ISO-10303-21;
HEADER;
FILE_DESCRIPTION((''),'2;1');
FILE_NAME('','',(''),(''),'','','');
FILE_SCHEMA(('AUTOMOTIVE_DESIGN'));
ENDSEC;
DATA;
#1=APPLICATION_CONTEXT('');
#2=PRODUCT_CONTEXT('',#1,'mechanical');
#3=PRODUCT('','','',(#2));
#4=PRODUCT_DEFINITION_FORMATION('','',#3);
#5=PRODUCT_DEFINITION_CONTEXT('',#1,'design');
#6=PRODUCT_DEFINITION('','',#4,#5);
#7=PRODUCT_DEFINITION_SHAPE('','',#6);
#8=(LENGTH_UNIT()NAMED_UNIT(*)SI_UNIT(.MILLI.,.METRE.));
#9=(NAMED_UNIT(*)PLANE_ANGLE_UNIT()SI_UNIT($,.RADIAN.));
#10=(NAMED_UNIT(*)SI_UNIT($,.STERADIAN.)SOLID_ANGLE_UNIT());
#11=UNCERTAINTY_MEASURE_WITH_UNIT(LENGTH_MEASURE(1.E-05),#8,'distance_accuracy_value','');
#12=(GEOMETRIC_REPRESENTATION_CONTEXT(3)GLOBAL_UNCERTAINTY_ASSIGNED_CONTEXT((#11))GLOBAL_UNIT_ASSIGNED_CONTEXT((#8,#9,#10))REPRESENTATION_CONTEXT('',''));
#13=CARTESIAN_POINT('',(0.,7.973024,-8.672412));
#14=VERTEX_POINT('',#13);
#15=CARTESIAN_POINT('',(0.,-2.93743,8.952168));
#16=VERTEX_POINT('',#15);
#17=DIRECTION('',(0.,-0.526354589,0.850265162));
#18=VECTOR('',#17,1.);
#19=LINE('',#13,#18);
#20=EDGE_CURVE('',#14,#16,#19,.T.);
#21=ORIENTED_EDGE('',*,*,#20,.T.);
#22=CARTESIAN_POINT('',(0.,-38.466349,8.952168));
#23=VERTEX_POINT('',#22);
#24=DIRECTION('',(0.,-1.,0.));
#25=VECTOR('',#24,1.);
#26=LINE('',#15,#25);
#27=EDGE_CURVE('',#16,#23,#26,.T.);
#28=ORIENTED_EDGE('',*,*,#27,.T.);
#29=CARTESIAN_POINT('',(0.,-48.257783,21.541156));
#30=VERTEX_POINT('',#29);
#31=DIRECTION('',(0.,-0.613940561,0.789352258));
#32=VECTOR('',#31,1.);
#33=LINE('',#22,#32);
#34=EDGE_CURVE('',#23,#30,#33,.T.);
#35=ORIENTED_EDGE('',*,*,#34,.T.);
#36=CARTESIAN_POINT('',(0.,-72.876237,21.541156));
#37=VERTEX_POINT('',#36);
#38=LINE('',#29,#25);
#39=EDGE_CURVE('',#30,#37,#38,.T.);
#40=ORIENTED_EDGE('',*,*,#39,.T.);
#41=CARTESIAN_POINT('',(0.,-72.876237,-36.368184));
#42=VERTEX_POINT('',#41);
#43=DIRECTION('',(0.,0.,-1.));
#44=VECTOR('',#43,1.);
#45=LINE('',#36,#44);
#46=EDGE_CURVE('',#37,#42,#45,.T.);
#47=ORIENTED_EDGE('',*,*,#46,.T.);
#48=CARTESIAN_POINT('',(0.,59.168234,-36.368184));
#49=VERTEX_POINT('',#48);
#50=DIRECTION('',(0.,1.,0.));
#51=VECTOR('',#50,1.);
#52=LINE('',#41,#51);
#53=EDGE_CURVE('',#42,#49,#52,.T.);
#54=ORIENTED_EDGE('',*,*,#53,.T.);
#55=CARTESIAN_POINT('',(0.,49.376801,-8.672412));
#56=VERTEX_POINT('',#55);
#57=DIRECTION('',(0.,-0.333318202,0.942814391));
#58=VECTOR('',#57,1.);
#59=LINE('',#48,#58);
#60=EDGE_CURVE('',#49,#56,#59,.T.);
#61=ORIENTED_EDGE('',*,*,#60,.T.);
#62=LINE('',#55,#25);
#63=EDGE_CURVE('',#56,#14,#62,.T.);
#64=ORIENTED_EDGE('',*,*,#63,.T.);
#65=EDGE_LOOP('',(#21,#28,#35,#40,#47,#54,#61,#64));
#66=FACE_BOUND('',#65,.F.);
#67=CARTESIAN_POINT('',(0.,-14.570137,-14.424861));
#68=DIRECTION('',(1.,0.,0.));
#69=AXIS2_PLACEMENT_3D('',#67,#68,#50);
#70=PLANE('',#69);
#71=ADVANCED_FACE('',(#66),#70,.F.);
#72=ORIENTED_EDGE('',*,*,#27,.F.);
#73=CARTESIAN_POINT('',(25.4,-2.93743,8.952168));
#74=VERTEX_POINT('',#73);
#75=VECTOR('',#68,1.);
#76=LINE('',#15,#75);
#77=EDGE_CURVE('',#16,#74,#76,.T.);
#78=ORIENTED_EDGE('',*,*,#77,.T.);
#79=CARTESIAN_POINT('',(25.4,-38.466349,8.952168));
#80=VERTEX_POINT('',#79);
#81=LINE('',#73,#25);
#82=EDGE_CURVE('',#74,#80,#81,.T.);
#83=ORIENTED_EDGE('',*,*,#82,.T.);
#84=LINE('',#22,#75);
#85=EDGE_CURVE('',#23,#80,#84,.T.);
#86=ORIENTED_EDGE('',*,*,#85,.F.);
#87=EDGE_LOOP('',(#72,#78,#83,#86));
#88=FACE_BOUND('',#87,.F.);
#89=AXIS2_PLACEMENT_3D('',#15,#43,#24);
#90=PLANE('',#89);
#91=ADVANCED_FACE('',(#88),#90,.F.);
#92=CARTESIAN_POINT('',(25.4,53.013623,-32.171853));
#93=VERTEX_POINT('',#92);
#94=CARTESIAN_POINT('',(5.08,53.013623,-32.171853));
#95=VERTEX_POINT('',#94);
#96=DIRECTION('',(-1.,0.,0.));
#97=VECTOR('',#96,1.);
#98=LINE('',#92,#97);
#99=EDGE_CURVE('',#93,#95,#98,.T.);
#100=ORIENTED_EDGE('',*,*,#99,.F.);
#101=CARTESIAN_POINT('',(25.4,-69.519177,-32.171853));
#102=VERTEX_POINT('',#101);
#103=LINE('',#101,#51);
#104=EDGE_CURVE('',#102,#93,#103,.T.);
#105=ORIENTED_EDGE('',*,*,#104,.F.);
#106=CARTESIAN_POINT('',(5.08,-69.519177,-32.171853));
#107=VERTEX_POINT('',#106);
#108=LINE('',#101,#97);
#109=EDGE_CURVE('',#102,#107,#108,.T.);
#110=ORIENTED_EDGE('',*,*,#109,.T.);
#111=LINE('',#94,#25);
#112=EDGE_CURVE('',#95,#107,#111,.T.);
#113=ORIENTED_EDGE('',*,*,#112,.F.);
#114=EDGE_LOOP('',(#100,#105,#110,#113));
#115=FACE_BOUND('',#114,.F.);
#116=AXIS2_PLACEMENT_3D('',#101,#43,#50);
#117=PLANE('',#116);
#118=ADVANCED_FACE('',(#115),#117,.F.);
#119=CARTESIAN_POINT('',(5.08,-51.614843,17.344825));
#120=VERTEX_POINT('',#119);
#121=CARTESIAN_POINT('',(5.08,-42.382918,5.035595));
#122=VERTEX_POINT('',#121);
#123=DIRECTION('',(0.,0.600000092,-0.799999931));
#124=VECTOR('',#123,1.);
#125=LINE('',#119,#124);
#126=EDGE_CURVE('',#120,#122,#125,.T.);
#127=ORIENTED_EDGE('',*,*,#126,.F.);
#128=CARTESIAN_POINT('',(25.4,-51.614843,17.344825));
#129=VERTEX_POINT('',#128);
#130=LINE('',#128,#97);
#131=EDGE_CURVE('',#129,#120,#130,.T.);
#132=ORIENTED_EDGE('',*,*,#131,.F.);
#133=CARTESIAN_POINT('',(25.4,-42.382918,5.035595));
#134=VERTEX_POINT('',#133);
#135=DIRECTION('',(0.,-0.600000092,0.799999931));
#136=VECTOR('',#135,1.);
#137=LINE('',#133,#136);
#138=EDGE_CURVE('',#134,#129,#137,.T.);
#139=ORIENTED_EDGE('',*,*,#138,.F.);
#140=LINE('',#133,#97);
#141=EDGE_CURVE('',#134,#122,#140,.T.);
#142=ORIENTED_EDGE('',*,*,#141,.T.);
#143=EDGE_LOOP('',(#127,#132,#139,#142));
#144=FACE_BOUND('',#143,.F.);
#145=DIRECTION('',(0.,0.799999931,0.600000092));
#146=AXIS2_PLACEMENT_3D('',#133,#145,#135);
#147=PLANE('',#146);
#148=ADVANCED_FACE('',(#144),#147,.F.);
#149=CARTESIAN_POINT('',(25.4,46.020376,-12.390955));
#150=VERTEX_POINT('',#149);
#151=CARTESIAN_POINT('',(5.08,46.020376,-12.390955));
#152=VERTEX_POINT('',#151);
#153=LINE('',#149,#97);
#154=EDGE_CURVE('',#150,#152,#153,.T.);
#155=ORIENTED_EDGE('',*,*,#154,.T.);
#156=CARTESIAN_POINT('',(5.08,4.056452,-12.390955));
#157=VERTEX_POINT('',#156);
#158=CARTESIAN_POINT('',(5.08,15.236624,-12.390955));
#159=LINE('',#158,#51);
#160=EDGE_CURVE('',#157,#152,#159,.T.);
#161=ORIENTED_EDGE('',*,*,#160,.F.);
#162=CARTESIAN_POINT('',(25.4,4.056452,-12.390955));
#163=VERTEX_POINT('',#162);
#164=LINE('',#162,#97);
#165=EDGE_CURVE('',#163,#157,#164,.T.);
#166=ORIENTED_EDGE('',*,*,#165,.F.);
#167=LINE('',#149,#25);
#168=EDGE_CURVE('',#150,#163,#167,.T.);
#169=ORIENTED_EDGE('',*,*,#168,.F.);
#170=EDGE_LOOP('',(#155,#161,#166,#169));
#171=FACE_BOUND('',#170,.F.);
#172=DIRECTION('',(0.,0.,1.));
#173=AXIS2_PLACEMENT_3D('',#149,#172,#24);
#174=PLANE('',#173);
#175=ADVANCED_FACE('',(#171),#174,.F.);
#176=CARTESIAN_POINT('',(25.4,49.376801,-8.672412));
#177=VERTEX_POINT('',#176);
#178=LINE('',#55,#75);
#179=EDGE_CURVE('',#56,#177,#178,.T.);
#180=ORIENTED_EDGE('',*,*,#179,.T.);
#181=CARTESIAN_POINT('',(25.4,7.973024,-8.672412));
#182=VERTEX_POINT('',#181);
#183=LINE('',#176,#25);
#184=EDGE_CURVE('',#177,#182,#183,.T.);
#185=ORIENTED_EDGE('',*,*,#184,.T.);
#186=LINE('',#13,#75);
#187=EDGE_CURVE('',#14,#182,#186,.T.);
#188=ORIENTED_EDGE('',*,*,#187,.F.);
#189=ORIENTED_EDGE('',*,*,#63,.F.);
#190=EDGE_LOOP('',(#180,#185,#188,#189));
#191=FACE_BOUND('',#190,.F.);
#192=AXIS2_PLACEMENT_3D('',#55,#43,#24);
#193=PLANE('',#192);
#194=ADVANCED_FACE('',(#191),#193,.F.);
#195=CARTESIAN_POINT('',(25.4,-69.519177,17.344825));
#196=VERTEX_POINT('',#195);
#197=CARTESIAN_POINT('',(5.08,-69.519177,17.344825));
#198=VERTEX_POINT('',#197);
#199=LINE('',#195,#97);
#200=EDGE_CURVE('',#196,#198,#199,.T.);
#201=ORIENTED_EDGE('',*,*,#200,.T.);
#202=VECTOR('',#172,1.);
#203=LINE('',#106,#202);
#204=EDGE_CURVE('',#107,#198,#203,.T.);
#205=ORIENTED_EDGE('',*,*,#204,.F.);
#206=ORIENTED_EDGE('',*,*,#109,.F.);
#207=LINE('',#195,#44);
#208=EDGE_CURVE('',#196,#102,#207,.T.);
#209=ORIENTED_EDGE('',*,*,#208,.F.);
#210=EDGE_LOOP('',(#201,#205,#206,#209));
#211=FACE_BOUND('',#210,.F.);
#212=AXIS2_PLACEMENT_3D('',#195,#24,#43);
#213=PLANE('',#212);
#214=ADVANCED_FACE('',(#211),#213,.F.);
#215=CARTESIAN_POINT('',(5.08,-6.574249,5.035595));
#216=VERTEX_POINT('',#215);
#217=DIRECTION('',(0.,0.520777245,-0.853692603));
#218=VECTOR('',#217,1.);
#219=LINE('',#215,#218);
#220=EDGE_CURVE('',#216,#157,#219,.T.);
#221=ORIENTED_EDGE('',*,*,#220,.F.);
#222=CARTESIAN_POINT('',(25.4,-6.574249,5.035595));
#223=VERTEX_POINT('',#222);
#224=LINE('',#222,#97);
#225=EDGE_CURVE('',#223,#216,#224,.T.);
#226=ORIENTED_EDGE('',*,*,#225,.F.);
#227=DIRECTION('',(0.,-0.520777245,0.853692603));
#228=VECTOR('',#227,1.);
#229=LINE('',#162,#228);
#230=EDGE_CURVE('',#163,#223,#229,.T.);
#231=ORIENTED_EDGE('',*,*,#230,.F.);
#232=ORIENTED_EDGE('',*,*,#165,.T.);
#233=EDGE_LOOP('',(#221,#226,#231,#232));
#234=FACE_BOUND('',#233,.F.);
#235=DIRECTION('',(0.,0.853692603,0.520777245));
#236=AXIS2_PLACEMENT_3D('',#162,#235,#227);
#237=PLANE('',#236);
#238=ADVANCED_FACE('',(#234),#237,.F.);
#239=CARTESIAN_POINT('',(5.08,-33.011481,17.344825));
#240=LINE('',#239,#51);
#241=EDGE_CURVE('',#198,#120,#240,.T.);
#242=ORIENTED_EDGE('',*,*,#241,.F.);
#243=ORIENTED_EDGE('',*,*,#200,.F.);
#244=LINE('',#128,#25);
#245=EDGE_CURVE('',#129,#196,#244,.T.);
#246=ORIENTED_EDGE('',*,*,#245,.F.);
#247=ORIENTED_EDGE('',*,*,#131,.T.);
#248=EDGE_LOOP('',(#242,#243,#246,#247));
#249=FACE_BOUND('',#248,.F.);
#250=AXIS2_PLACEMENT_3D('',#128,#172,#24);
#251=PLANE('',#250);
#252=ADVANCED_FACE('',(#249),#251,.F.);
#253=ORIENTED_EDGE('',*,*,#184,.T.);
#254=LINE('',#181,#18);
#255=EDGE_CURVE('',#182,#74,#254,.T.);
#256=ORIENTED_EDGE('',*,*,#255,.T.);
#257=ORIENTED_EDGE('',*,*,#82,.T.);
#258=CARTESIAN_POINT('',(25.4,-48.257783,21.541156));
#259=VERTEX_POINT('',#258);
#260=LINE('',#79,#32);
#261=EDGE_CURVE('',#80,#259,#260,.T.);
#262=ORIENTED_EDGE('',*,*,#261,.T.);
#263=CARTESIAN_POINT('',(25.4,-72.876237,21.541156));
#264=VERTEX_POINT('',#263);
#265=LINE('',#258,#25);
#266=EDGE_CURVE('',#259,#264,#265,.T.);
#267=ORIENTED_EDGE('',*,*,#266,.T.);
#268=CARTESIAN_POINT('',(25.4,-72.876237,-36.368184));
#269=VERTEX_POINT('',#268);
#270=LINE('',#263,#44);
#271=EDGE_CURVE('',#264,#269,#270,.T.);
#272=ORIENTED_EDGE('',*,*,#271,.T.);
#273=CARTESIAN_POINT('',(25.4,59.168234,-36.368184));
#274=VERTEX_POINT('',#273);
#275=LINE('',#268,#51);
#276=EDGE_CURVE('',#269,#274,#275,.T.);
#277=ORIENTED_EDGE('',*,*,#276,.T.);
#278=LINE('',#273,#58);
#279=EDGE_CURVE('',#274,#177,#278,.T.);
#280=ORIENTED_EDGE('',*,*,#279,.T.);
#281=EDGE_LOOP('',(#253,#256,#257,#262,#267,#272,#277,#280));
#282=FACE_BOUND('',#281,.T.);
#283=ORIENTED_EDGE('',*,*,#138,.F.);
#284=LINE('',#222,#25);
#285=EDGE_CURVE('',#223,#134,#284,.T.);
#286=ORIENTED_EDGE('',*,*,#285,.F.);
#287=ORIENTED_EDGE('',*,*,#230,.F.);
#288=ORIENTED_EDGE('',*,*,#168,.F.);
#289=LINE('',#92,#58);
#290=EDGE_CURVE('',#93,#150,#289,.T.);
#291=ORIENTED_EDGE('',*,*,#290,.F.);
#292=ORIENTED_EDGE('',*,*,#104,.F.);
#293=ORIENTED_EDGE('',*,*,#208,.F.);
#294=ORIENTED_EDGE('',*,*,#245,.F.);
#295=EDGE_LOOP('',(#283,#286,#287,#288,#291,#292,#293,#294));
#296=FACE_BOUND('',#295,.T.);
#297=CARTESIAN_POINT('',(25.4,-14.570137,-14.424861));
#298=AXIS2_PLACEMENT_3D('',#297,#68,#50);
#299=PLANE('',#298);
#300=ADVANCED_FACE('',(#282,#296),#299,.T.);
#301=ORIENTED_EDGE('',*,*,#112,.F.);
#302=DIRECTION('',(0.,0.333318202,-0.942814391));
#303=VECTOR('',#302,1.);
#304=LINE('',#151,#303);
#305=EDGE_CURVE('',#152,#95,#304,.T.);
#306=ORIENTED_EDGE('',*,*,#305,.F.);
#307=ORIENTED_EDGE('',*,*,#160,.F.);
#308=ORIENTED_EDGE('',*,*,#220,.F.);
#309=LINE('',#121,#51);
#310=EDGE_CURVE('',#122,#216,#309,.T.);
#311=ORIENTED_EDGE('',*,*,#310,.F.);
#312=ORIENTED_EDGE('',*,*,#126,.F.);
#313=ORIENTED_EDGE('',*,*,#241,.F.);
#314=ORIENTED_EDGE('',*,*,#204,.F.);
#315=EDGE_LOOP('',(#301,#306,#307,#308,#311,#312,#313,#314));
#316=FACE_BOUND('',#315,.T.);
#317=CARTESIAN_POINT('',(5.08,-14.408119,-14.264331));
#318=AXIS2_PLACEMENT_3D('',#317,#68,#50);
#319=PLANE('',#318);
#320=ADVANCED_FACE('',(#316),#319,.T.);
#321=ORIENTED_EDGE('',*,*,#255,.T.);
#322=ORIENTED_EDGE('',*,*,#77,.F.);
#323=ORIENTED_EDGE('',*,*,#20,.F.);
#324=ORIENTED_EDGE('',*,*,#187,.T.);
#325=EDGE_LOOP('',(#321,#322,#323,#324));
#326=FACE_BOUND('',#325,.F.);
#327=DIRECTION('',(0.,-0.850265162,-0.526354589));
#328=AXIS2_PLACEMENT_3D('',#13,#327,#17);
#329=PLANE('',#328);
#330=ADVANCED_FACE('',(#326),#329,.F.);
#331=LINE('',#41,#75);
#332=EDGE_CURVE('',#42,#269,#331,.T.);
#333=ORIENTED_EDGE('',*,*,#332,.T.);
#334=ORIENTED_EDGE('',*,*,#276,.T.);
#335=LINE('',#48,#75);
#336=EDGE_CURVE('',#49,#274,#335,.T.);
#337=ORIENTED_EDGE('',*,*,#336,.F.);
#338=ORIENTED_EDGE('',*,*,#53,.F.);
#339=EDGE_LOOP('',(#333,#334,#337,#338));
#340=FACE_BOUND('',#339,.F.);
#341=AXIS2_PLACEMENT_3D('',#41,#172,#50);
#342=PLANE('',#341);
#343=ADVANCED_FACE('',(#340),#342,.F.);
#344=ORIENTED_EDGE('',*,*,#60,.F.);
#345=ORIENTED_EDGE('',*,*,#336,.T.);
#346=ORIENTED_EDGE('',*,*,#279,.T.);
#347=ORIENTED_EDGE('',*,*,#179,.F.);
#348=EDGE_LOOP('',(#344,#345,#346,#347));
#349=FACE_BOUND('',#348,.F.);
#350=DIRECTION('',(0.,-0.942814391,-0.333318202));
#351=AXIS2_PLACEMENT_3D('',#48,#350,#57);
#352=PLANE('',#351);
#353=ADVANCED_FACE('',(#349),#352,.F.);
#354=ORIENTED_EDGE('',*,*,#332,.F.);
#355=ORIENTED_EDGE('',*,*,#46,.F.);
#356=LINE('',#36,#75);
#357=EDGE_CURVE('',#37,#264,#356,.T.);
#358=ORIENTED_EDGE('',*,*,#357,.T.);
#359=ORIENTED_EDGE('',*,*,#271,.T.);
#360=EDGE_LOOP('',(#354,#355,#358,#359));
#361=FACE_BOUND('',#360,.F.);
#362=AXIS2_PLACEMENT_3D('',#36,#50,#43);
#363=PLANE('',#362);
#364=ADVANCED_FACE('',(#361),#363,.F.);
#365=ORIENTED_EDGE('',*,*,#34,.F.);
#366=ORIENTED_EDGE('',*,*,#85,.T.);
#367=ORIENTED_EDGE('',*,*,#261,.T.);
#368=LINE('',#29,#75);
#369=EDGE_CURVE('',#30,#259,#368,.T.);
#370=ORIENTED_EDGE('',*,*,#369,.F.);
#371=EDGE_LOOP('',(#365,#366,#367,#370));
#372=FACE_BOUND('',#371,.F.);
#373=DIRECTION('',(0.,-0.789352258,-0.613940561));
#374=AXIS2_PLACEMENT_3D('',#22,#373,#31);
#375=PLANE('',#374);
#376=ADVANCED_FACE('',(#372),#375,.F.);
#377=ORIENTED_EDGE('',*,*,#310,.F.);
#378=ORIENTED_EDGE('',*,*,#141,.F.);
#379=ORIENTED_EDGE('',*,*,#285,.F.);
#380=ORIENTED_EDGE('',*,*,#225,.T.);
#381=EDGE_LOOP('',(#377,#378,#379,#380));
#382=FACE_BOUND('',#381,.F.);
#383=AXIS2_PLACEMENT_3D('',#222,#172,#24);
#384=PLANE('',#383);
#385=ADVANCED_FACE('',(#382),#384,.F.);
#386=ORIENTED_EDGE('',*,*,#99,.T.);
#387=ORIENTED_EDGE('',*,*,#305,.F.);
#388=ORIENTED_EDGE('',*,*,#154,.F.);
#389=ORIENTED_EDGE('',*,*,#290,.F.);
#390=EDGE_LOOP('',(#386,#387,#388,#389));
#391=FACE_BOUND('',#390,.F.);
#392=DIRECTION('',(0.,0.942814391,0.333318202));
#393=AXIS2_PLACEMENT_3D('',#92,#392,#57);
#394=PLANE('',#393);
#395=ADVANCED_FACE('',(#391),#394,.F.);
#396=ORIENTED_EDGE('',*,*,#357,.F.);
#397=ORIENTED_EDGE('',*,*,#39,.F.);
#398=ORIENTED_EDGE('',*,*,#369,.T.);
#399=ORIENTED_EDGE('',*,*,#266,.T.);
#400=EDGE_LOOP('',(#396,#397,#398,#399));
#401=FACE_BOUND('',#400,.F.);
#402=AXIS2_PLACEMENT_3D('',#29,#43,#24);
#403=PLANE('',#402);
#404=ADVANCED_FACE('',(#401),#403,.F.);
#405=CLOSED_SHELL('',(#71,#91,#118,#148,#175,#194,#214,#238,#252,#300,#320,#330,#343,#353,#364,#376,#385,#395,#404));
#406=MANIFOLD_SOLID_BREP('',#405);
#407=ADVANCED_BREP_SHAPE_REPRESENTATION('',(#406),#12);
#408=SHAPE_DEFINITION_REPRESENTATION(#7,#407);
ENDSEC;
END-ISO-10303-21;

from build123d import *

# Parameters (mm, degrees)
F1_DEPTH  = 25.4
F3_DEPTH  = 25.4
F5_DEPTH  = 25.4
F7_DEPTH  = 5.08
F10_DEPTH = 5.08
F11_DEPTH = 5.08


with BuildPart() as f1:
    # F0 (on Right) → F1 (new body)
    with BuildSketch(Plane.YZ):
        Polygon((59.1682344675, -36.3681837916), (49.3768006563, -8.6724124849), (7.9730236903, -8.6724124849), (-2.9374300502, 8.9521678165), (-38.4663492441, 8.9521678165), (-48.2577830553, 21.5411558747), (-72.8762373328, 21.5411558747), (-72.8762373328, -30.4933227599), (-72.8762373328, -36.3681837916), align=None)
    extrude(amount=F1_DEPTH)

    # F2 (on Right) → F3 (cut)
    with BuildSketch(Plane.YZ):
        Polygon((-51.3350889087, 17.6245812327), (-67.5608962774, 17.3448249698), (-67.5608962774, -31.8920984864), (51.6148433089, -31.8920984864), (45.1804734766, -13.4282521904), (5.4552280344, -13.4282521904), (-6.2944926322, 5.0355945714), (-42.103163898, 5.0355945714), align=None)
    extrude(amount=-F3_DEPTH, mode=Mode.SUBTRACT)

    # F4 (on face) → F5 (cut)
    with BuildSketch(Plane.YZ.offset(25.4)):
        Polygon((-51.6148433089, 17.3448249698), (-69.5191770792, 17.3448249698), (-69.5191770792, -32.1718528867), (53.0136227608, -32.1718528867), (46.0203764525, -12.3909551978), (4.0564518422, -12.3909551978), (-6.574248895, 5.0355945714), (-42.3829182982, 5.0355945714), align=None)
    extrude(amount=-F5_DEPTH, mode=Mode.SUBTRACT)

    # F6 (on Right) → F7 (join)
    with BuildSketch(Plane.YZ):
        Polygon((53.0136190355, -31.6123440862), (45.7399822772, -12.5889861956), (4.3362067081, -12.8687405959), (-6.0147377662, 4.1963290423), (-42.1031676233, 4.1963290423), (-51.3350889087, 16.5055599064), (-68.9596682787, 16.5055599064), (-68.4001594782, -31.6123440862), align=None)
    extrude(amount=F7_DEPTH)

    # F8 (on Right) → F10 (join)
    with BuildSketch(Plane.YZ):
        Polygon((5.4552271031, -11.7497202009), (-7.4135139585, 4.7558392398), (-42.1031676233, 4.7558392398), (-50.7755763829, 17.0650705695), (-69.7989314795, 17.0650705695), (-69.7989314795, -30.213566497), (-69.7989314795, -32.1718528867), (53.0136190355, -32.1718528867), (46.8590036035, -11.7497202009), align=None)
    extrude(amount=F10_DEPTH)

    # F9 (on Right) → F11 (join)
    with BuildSketch(Plane.YZ):
        Polygon((56.2891028821, -33.4541499615), (49.1134338081, -13.0950817838), (49.1134338081, -10.6687908992), (7.4033048004, -10.6687908992), (-4.491108004, 6.529154256), (-40.5934713781, 6.529154256), (-49.6454611421, 18.8511218876), (-70.4428181052, 18.8511218876), (-70.4428181052, -33.4541499615), align=None)
    extrude(amount=F11_DEPTH)


solid = f1.part
